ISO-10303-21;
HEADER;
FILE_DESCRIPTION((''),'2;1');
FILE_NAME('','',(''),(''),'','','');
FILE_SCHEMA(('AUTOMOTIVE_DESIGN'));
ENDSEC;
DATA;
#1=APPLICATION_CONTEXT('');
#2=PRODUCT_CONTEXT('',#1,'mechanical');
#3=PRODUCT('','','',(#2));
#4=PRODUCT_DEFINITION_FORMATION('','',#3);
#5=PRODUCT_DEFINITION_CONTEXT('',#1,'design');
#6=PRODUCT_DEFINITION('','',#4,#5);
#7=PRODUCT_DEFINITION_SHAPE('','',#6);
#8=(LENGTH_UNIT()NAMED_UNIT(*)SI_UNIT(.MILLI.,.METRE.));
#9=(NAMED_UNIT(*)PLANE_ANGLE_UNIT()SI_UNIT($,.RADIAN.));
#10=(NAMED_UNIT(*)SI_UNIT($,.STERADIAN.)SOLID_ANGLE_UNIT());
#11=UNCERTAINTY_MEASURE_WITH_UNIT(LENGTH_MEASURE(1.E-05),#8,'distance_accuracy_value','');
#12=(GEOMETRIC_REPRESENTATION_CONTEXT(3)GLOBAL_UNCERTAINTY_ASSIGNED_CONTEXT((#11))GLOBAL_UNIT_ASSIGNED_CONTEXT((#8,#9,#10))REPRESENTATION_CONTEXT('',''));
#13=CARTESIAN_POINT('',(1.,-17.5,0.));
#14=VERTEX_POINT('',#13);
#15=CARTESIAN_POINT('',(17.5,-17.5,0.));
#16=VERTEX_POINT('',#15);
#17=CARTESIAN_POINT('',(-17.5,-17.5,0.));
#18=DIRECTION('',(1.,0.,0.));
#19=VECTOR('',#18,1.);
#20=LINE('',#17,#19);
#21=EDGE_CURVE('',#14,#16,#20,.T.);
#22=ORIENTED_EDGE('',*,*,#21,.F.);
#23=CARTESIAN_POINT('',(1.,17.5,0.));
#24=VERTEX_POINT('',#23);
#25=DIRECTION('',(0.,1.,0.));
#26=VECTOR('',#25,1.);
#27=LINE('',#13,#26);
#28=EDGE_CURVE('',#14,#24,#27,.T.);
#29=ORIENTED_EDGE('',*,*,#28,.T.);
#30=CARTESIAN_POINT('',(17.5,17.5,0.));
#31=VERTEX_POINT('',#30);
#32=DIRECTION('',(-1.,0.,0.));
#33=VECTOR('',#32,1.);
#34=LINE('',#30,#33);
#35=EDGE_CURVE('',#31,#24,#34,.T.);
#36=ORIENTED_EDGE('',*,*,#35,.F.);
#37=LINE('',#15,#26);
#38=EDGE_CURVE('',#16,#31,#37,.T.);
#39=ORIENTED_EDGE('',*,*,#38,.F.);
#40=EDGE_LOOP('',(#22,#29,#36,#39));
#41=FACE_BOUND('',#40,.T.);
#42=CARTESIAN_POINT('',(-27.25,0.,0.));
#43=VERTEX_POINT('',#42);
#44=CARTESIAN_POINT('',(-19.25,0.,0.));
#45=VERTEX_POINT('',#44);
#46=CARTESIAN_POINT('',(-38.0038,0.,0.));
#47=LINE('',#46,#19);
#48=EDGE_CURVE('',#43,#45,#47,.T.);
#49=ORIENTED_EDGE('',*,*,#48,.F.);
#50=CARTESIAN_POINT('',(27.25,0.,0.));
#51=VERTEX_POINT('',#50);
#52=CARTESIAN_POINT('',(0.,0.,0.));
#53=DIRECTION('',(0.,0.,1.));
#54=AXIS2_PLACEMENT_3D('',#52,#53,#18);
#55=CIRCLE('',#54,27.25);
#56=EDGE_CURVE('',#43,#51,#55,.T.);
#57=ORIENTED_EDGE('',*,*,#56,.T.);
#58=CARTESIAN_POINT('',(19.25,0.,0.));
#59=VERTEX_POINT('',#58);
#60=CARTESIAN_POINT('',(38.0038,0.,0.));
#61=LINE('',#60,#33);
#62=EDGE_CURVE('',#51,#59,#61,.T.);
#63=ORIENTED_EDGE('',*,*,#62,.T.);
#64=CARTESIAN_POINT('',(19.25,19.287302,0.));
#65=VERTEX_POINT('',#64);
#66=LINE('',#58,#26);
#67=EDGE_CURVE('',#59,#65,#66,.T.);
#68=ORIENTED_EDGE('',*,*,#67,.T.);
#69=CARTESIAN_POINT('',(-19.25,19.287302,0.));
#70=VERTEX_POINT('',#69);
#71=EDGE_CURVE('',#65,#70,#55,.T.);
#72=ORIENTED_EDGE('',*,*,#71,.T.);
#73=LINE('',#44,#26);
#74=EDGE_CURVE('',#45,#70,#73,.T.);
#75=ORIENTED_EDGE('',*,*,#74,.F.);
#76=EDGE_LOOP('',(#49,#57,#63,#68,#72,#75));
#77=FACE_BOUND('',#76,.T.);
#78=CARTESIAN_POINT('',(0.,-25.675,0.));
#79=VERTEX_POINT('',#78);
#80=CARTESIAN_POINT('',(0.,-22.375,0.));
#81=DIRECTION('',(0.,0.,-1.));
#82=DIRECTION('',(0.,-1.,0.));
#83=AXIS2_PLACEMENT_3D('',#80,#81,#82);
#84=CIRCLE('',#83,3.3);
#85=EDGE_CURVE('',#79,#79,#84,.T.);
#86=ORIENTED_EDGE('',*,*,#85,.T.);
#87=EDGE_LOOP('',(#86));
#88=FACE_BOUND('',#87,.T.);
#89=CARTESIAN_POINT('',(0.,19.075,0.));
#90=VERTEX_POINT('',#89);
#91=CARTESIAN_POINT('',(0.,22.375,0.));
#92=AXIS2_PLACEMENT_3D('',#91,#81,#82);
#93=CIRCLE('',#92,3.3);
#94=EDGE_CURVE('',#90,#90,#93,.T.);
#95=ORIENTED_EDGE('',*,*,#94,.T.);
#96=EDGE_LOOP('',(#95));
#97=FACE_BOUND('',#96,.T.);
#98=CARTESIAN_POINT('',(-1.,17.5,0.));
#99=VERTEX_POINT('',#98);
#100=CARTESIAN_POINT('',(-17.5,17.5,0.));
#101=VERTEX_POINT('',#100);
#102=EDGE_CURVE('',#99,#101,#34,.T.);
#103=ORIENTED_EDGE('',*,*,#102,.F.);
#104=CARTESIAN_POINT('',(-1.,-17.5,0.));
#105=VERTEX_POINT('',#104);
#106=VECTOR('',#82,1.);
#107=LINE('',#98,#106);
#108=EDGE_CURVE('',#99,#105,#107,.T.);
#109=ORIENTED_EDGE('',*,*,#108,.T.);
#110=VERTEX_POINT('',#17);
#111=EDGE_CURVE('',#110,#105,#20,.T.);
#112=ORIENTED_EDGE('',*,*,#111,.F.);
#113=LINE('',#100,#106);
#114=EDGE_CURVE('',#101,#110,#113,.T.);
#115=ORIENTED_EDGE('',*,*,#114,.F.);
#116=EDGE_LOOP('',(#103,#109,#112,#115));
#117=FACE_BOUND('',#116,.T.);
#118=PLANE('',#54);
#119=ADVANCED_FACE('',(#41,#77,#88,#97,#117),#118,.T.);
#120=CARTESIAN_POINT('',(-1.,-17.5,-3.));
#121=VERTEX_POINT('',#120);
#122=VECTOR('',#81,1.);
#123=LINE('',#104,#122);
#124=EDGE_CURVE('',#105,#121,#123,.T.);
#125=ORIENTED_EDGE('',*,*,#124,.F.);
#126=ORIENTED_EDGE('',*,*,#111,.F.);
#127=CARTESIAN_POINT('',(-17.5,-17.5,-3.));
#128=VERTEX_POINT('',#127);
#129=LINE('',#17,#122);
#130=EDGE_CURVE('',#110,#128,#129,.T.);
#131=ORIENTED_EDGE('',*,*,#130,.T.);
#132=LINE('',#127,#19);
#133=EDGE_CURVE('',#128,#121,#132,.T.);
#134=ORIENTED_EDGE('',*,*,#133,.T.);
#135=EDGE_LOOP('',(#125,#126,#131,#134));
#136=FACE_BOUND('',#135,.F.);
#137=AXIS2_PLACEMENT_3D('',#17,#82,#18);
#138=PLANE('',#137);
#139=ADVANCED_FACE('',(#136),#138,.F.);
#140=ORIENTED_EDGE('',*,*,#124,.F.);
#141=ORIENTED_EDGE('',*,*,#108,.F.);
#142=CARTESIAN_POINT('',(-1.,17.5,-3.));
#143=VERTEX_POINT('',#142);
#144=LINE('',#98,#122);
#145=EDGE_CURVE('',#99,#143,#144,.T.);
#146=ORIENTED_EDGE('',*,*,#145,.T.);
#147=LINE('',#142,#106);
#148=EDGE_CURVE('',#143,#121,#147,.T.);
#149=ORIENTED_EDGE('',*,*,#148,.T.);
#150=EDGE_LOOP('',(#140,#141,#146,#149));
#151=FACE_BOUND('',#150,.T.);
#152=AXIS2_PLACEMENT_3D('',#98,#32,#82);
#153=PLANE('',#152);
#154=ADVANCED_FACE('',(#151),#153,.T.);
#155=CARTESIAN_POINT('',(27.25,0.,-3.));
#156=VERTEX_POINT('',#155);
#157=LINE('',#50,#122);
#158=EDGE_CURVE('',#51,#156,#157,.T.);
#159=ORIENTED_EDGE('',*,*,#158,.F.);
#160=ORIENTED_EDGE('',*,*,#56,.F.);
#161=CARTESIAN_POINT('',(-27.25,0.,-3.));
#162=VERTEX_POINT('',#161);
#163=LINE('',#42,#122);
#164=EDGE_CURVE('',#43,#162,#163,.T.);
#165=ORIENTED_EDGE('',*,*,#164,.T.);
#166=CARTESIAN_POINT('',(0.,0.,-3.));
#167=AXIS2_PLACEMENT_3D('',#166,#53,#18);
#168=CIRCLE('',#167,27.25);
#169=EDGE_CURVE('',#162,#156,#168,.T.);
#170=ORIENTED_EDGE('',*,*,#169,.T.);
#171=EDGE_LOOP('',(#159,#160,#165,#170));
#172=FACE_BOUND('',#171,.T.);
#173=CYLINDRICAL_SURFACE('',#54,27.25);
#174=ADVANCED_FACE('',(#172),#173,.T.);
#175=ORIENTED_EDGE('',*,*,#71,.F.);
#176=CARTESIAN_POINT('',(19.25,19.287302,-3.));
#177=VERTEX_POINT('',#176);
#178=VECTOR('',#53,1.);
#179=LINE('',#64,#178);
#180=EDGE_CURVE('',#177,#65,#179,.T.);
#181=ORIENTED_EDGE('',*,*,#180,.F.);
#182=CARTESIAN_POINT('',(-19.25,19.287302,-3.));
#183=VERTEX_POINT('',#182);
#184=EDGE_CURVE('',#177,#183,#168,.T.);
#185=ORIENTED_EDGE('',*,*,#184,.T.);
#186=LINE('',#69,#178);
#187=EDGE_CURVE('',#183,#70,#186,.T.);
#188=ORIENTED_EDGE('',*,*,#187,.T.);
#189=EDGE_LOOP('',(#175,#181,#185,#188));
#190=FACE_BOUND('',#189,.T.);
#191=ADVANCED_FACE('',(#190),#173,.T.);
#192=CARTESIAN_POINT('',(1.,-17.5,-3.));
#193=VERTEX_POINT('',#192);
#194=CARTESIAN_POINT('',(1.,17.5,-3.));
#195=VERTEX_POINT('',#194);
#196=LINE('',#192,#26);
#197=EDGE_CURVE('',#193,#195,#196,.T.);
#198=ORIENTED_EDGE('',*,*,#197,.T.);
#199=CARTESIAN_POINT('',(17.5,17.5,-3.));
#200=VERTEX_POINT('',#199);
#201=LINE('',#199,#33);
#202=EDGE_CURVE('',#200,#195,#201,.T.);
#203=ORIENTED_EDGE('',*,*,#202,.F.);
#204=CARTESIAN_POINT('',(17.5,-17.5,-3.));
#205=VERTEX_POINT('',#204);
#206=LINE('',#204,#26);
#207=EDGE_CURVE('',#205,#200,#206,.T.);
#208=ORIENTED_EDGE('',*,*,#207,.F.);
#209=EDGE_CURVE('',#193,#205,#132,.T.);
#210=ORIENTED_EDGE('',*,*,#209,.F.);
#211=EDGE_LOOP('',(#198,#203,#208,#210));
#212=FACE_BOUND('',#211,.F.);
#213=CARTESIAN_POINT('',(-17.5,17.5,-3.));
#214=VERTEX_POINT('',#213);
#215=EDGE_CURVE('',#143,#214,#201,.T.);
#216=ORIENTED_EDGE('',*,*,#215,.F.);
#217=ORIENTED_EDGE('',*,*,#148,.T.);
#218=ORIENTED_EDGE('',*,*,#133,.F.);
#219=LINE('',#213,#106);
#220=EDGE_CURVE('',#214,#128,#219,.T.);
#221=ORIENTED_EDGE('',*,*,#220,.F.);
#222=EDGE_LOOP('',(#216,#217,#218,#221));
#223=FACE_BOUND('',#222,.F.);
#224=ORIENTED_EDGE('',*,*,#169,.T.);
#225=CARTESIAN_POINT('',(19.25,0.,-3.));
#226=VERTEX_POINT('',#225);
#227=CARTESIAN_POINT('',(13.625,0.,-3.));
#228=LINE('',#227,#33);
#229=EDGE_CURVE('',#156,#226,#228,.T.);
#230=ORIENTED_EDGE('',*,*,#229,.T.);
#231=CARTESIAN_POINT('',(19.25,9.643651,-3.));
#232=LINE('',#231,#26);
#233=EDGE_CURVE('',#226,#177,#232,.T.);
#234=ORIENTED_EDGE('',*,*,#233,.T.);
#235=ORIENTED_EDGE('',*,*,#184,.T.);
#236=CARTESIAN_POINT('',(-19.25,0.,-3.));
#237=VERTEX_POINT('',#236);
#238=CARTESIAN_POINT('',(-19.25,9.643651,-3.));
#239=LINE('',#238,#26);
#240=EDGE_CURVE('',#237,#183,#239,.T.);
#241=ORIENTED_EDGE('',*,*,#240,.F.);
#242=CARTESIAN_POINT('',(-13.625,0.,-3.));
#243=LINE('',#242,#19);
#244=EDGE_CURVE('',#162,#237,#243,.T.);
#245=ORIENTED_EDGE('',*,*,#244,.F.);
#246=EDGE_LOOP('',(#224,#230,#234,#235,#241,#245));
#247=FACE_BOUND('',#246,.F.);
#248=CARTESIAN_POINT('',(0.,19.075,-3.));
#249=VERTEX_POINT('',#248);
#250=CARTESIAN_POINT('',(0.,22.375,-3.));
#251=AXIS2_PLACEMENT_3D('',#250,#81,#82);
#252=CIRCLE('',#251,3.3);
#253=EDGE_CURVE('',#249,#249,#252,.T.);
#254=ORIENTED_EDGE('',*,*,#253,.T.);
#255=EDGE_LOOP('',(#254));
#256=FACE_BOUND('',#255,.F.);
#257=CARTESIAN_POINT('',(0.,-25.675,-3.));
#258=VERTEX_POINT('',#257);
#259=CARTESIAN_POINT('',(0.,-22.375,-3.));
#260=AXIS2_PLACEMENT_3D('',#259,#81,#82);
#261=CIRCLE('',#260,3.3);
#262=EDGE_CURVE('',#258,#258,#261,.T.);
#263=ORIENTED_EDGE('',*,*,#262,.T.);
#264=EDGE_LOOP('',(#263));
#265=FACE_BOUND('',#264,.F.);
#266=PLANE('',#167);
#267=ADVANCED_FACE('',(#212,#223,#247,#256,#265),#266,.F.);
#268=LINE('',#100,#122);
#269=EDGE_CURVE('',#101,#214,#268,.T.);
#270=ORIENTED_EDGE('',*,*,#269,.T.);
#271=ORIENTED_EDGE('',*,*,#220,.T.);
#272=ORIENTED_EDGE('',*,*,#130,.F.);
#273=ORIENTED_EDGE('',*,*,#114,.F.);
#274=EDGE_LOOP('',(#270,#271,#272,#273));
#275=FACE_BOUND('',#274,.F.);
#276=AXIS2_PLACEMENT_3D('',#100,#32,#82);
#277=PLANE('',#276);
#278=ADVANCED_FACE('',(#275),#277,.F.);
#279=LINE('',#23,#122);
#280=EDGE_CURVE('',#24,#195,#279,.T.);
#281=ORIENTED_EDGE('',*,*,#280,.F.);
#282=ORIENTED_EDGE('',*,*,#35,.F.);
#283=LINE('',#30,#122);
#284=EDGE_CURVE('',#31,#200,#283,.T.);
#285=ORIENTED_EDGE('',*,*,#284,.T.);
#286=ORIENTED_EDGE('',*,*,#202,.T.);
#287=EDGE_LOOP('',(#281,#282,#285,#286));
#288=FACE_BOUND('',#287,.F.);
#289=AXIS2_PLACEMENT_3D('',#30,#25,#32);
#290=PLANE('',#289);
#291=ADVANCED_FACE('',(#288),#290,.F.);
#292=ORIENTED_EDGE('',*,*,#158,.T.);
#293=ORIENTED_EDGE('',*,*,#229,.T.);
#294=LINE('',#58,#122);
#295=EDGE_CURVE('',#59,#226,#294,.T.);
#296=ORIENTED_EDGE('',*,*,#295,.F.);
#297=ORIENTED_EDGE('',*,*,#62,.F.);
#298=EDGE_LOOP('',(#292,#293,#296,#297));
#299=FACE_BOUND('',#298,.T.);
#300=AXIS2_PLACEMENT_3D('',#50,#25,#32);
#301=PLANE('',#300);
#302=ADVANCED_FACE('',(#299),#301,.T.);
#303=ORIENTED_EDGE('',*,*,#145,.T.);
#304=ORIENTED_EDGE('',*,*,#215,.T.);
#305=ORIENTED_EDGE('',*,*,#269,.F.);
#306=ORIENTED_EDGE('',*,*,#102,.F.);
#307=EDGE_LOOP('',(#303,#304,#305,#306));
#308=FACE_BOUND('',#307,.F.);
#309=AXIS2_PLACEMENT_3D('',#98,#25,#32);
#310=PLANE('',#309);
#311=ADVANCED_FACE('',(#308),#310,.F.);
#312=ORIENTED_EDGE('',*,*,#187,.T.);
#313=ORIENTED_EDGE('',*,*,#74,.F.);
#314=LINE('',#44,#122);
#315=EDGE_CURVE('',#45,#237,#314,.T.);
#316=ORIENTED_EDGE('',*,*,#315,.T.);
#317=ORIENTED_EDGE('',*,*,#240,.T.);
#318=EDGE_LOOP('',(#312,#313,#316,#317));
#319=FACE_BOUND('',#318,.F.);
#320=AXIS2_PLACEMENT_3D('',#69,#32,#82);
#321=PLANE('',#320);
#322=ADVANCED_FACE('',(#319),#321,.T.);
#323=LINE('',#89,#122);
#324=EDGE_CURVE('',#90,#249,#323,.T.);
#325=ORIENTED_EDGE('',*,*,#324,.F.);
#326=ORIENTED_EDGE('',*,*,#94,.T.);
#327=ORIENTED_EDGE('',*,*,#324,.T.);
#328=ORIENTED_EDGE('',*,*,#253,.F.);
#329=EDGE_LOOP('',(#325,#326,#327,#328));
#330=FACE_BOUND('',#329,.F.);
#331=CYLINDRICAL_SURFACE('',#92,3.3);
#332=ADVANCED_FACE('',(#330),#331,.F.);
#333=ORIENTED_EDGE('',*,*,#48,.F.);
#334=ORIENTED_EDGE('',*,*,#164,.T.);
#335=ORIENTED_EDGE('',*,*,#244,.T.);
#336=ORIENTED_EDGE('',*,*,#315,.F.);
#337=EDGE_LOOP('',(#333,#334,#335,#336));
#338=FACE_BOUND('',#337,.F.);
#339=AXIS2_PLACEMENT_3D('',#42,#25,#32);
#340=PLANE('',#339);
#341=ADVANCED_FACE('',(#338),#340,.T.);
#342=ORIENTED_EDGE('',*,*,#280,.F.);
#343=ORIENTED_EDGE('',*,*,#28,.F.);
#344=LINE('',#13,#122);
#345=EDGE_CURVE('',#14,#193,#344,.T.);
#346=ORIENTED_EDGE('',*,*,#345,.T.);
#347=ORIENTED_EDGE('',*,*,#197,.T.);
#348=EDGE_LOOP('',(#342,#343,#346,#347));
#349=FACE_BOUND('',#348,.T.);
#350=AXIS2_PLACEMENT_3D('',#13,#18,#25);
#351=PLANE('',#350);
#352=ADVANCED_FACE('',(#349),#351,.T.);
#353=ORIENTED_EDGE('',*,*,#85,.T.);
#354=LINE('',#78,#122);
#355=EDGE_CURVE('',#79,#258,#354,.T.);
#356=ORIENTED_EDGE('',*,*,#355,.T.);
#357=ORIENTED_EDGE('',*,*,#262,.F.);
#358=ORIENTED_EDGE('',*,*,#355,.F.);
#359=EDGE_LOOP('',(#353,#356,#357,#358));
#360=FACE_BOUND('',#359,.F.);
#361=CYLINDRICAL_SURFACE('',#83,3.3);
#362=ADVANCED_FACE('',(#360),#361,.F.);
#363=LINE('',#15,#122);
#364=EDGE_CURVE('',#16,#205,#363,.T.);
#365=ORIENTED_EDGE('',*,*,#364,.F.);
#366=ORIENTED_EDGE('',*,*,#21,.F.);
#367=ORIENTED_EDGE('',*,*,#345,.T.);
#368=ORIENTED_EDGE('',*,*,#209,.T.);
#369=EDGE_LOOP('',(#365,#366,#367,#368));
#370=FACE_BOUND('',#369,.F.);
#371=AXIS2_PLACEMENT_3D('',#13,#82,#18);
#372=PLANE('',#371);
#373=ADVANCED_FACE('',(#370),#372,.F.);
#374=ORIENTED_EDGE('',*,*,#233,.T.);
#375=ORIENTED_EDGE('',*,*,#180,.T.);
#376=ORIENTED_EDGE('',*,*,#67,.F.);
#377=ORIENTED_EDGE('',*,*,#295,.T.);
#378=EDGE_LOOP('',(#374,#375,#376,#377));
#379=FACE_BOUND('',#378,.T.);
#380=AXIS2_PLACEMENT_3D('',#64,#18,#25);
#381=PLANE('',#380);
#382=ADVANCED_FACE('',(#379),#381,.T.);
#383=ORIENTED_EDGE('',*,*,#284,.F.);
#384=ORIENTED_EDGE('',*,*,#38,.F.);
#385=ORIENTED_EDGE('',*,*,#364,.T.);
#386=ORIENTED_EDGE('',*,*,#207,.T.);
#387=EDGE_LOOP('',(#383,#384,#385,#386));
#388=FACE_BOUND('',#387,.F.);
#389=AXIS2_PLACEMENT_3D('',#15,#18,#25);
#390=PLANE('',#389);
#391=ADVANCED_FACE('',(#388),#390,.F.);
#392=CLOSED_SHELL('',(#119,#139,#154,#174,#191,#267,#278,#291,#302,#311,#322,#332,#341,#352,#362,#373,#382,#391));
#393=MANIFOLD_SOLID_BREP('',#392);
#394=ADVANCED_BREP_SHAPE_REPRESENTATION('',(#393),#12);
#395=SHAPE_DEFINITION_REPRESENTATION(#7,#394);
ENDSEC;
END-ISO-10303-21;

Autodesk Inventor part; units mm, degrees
ref_plane "YZ Plane" through (0, 0, 0) normal (1, 0, 0) x (0, 1, 0)
ref_plane "XZ Plane" through (0, 0, 0) normal (0, 1, 0) x (-1, 0, 0)
ref_plane "XY Plane" through (0, 0, 0) normal (0, 0, 1) x (1, 0, 0)
sketch "スケッチ1" plane through (0, 0, 0) normal (0, 0, 1) x (1, 0, 0)
  circle A0 centre (0, 0) radius 27.25
  line L0 (17.5, 17.5) -> (-17.5, 17.5)
  line L1 (-17.5, 17.5) -> (-17.5, -17.5)
  line L2 (-17.5, -17.5) -> (17.5, -17.5)
  line L3 (17.5, -17.5) -> (17.5, 17.5)
  line L4 (17.5, 17.5) -> (-17.5, -17.5) construction
  line L5 (-17.5, 17.5) -> (17.5, -17.5) construction
  line L6 (1, 17.5) -> (-1, 17.5)
  line L7 (-1, 17.5) -> (-1, -17.5)
  line L8 (-1, -17.5) -> (1, -17.5)
  line L9 (1, -17.5) -> (1, 17.5)
  line L10 (1, 17.5) -> (-1, -17.5) construction
  line L11 (-1, 17.5) -> (1, -17.5) construction
  point P0 (1, -17.5)
  point P1 (1, 17.5)
  point P2 (-1, 17.5)
  point P3 (-1, -17.5)
  dimension "d0" = 54.5
  dimension "d6" = 35
  dimension "d107" = 2
  dimension "d108" = 35
extrude "押し出し1" add sketch "スケッチ1" against normal blind 3 contours A0 | L9 L2 L7 L0
sketch "スケッチ2" plane through (0, 0, 0) normal (0, 0, 1) x (1, 0, 0)
  line L0 (0, 42.4511) -> (0, -37.5489)
  line L1 (38.0038, 0) -> (-41.9962, 0)
  line L2 (27.25, 42.0143) -> (27.25, -37.9857)
  circle A0 centre (0, 0) radius 27.25 projected
  line L3 (17.5, 17.5) -> (17.5, -17.5) projected
  line L4 (19.25, 25) -> (27.25, 25)
  line L5 (27.25, 25) -> (27.25, -25)
  line L6 (27.25, -25) -> (19.25, -25)
  line L7 (19.25, -25) -> (19.25, 25)
  line L8 (19.25, 25) -> (27.25, -25) construction
  line L9 (27.25, 25) -> (19.25, -25) construction
  point P0 (17.5, 0)
  point P1 (23.25, 0)
  point P2 (19.25, 0)
  point P3 (27.25, 0)
  dimension "d13" = 9.75
  dimension "d14" = 8
  dimension "d15" = 50
  dimension "d19" = 54.5
  dimension "d110" = 1.75
extrude "押し出し2" cut sketch "スケッチ2" against normal blind 10 contours L7 L4 L2 A0 | A0 L1 L7 picked at (20.3822, 11.481)
mirror "ミラー1" about plane through (0, 0, 0) normal (1, 0, 0) of "押し出し2"
sketch "スケッチ8" plane through (0, 0, 0) normal (0, 0, 1) x (1, 0, 0)
  circle A0 centre (0, 0) radius 22.375
  circle A1 centre (0, 0) radius 27.25
  line L0 (0, 31.1603) -> (0, -30.8706)
  point P0 (0, 0)
  point P1 (0, 22.375)
  point P2 (0, -22.375)
  dimension "d112" = 44.75
  dimension "d113" = 54.5
hole "穴5" at (0, 22.375, 0) at (0, -22.375, 0) direction (0, 0, -1) diameter 6.6 end through all clearance for "Countersunk Flat Head Screw ISO 2009/7046" size "M6" standard "ISO"
properties part number "Part3_A_Y" material "鋼、軟鋼"
